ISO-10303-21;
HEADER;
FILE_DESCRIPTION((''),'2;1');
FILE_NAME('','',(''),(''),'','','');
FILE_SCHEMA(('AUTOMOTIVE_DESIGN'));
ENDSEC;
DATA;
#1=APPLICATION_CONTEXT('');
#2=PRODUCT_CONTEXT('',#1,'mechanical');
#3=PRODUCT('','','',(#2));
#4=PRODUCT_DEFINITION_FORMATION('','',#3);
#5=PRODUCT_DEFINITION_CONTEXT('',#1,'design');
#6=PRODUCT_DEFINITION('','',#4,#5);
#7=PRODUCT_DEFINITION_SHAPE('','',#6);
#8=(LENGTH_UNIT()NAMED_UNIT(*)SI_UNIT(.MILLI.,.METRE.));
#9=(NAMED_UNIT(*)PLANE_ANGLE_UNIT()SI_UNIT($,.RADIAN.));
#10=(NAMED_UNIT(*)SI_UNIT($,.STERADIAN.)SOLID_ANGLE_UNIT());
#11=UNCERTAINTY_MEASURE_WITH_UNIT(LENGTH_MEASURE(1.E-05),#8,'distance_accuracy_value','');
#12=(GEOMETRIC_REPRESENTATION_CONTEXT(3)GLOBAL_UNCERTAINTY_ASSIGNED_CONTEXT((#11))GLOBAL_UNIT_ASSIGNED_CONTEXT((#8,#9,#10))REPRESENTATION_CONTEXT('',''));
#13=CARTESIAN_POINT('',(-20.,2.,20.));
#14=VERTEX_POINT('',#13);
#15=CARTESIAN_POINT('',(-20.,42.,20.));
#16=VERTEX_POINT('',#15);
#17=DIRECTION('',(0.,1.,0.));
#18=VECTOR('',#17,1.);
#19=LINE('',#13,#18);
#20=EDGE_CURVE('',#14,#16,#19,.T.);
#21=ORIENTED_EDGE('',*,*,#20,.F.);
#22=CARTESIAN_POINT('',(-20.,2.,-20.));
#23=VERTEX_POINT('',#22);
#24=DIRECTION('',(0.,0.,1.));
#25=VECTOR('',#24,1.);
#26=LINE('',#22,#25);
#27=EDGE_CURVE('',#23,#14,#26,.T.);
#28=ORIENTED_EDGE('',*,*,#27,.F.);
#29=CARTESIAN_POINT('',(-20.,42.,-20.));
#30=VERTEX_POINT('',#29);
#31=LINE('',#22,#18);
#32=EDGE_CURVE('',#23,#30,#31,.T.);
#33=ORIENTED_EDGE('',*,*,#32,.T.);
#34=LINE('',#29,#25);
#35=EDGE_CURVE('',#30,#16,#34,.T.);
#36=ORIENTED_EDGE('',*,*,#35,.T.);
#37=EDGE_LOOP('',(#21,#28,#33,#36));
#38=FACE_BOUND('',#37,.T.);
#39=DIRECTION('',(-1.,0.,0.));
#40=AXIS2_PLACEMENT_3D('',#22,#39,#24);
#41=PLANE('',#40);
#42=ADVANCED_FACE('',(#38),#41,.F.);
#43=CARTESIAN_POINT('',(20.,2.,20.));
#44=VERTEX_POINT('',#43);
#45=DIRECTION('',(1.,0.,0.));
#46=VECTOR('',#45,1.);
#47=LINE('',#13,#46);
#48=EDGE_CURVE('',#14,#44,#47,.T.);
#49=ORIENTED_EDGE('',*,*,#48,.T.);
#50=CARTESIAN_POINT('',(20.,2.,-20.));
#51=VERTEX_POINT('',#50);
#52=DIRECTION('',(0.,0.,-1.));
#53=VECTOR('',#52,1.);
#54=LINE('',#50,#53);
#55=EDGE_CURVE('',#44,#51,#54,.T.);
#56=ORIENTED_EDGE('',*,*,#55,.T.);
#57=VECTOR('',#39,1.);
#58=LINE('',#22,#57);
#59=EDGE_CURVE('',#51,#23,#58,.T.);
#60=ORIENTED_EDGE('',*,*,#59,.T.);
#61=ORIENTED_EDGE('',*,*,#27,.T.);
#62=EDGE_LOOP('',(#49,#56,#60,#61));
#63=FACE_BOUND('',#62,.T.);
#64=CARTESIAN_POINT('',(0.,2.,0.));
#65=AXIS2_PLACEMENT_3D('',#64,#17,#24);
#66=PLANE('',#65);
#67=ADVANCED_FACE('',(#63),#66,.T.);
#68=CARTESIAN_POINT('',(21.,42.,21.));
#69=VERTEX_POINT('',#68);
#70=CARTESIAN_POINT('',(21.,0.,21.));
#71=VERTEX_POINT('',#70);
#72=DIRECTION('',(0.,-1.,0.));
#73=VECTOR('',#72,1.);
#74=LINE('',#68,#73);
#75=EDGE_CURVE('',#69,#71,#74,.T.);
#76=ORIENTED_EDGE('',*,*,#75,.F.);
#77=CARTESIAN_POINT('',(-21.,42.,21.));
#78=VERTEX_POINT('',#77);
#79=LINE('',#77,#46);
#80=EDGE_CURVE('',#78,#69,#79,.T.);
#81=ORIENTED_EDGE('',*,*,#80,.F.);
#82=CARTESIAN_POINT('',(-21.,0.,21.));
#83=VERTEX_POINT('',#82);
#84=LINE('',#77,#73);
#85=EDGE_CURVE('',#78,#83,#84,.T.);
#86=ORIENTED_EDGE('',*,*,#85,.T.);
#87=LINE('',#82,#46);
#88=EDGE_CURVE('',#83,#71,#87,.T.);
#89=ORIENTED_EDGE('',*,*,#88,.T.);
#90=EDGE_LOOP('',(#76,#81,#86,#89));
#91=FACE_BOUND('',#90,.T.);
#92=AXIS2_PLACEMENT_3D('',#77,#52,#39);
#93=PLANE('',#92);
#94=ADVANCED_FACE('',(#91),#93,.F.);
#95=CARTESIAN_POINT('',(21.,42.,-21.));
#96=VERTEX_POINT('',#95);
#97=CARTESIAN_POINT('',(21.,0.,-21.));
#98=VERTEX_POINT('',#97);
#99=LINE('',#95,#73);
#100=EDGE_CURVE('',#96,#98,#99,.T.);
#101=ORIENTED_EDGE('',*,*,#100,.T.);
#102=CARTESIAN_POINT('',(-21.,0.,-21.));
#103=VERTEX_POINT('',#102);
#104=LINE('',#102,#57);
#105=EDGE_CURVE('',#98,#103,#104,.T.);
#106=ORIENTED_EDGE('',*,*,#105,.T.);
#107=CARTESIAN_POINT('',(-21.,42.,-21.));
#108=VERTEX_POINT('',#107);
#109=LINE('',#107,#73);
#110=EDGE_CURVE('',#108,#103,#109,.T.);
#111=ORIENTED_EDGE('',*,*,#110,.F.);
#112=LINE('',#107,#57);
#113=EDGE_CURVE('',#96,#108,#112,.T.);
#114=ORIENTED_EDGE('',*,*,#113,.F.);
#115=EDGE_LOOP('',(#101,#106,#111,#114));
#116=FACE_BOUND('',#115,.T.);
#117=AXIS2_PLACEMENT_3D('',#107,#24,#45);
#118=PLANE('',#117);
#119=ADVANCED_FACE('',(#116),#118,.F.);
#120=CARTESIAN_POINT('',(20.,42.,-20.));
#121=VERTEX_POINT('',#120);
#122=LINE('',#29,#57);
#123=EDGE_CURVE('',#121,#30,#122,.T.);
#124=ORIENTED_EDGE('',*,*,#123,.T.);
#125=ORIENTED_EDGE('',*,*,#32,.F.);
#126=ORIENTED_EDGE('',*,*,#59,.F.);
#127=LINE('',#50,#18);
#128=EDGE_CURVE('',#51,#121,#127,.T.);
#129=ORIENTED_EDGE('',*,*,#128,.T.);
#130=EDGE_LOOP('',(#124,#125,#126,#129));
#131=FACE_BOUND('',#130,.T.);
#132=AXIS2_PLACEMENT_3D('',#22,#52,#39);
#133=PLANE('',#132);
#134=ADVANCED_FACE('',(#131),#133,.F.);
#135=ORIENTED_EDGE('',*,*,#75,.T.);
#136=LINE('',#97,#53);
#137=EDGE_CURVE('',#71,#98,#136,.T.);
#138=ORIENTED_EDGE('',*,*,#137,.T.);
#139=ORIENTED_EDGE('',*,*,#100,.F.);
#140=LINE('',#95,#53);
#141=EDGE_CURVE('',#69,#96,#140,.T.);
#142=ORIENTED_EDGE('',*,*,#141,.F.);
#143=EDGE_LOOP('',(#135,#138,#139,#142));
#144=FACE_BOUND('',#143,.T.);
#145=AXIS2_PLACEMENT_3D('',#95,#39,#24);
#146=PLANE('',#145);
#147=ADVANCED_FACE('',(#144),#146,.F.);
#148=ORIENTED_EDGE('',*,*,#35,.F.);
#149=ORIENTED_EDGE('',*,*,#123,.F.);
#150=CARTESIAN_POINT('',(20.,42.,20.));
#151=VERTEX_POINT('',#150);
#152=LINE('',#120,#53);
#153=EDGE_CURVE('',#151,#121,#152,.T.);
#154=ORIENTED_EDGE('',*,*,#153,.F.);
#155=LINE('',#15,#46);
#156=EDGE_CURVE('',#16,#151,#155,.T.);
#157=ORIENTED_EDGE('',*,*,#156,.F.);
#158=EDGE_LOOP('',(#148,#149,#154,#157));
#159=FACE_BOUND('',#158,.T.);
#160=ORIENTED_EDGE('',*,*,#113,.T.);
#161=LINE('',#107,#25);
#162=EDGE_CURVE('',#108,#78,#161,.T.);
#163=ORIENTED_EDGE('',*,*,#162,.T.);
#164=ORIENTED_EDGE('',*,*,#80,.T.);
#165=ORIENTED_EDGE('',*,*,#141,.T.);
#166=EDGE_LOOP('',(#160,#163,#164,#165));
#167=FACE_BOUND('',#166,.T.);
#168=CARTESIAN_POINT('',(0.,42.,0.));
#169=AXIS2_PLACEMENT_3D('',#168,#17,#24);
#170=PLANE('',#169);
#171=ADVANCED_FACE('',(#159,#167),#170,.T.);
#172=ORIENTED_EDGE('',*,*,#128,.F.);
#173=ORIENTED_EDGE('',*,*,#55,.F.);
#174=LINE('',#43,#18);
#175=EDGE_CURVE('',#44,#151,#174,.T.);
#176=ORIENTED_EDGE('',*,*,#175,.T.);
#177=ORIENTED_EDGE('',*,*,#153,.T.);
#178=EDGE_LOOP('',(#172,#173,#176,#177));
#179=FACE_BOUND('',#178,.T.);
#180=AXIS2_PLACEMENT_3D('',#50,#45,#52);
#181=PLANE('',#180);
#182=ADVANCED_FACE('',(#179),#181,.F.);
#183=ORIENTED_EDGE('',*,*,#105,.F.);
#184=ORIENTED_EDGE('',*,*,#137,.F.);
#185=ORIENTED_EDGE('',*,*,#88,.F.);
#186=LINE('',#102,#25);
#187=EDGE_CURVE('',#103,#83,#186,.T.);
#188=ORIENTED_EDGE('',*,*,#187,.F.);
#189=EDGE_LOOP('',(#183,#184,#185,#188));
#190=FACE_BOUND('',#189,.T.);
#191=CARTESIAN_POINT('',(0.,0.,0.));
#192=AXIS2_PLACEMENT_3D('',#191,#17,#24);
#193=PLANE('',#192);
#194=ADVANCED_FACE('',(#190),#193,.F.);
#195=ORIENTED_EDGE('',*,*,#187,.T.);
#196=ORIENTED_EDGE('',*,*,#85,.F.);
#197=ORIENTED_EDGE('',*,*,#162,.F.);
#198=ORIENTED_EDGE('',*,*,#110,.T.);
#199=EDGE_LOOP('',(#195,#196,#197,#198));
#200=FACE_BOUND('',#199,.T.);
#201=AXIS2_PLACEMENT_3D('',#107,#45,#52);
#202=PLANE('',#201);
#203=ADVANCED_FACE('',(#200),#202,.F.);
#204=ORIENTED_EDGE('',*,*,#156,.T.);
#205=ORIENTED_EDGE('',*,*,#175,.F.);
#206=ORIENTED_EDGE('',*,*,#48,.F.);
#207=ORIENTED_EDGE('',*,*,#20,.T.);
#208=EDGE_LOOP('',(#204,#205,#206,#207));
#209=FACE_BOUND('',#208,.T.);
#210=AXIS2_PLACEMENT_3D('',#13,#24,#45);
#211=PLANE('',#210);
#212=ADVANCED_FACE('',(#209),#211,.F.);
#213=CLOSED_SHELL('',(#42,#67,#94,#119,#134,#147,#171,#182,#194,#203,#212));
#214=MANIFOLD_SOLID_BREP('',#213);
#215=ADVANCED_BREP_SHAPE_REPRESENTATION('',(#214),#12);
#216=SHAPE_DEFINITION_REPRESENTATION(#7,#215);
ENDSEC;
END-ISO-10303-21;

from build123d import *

# Parameters (mm, degrees)
SKETCH1_W           = 42
SKETCH1_H           = 42
BOSS_EXTRUDE2_DEPTH = 42
SKETCH3_W           = 40
SKETCH3_H           = 40
CUT_EXTRUDE1_DEPTH  = 40


with BuildPart() as part:
    # Sketch1 → Boss-Extrude2 (new body)
    with BuildSketch(Plane(origin=(0, 0, 0), x_dir=(1, 0, 0), z_dir=(0, 1, 0))):
        Rectangle(SKETCH1_W, SKETCH1_H)
    extrude(amount=BOSS_EXTRUDE2_DEPTH)

    # Sketch3 → Cut-Extrude1 (cut)
    with BuildSketch(Plane(origin=(0, 42, 0), x_dir=(1, 0, 0), z_dir=(0, 1, 0))):
        Rectangle(SKETCH3_W, SKETCH3_H)
    extrude(amount=-CUT_EXTRUDE1_DEPTH, mode=Mode.SUBTRACT)


solid = part.part
